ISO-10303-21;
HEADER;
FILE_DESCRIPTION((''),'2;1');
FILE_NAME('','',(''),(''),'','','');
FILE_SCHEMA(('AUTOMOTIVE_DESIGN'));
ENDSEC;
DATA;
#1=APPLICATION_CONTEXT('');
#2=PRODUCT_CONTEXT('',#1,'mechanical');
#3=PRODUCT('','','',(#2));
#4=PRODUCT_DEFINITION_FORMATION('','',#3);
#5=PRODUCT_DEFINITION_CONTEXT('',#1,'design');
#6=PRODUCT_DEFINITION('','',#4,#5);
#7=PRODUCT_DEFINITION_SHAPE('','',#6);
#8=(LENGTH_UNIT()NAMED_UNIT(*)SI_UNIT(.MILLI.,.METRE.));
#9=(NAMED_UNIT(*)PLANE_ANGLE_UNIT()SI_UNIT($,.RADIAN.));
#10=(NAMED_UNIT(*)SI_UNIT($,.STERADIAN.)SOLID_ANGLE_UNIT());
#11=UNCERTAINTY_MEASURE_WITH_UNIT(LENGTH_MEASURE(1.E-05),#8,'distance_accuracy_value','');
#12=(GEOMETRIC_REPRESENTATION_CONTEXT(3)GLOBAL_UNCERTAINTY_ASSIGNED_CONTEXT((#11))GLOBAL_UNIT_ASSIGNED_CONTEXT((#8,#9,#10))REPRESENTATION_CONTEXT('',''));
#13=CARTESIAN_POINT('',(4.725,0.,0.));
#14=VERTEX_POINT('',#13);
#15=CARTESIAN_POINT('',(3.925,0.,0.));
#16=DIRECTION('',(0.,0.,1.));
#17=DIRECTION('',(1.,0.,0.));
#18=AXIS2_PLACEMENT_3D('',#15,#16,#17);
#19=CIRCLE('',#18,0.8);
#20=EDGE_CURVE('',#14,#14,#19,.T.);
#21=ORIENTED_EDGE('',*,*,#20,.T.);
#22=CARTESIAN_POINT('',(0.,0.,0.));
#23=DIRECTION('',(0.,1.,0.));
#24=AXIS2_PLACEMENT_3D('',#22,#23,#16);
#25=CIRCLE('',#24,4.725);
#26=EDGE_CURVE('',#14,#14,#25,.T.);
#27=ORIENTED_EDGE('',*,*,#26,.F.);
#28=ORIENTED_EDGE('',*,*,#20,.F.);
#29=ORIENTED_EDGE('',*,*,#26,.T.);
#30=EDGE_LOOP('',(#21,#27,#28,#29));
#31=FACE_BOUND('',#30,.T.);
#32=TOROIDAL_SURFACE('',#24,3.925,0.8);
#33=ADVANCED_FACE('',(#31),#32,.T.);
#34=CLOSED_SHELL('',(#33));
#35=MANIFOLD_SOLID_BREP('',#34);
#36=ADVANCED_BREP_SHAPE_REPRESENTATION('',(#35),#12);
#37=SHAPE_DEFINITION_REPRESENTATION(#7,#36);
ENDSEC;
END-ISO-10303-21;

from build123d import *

# Parameters (mm, degrees)
SKETCH2_R = 0.8


with BuildPart() as part:
    # Sweep1: sweep along a path in Sketch1
    with BuildLine(Plane(origin=(0, 0, 0), x_dir=(1, 0, 0), z_dir=(0, 1, 0))) as sweep1_path:
        CenterArc((0, 0), 3.925, 0, 360)
    # Sketch2 → Sweep1 (sweep)
    with BuildSketch(Plane.XY):
        with Locations((3.925, 0)):
            Circle(SKETCH2_R)
    sweep(path=sweep1_path.line)


solid = part.part
